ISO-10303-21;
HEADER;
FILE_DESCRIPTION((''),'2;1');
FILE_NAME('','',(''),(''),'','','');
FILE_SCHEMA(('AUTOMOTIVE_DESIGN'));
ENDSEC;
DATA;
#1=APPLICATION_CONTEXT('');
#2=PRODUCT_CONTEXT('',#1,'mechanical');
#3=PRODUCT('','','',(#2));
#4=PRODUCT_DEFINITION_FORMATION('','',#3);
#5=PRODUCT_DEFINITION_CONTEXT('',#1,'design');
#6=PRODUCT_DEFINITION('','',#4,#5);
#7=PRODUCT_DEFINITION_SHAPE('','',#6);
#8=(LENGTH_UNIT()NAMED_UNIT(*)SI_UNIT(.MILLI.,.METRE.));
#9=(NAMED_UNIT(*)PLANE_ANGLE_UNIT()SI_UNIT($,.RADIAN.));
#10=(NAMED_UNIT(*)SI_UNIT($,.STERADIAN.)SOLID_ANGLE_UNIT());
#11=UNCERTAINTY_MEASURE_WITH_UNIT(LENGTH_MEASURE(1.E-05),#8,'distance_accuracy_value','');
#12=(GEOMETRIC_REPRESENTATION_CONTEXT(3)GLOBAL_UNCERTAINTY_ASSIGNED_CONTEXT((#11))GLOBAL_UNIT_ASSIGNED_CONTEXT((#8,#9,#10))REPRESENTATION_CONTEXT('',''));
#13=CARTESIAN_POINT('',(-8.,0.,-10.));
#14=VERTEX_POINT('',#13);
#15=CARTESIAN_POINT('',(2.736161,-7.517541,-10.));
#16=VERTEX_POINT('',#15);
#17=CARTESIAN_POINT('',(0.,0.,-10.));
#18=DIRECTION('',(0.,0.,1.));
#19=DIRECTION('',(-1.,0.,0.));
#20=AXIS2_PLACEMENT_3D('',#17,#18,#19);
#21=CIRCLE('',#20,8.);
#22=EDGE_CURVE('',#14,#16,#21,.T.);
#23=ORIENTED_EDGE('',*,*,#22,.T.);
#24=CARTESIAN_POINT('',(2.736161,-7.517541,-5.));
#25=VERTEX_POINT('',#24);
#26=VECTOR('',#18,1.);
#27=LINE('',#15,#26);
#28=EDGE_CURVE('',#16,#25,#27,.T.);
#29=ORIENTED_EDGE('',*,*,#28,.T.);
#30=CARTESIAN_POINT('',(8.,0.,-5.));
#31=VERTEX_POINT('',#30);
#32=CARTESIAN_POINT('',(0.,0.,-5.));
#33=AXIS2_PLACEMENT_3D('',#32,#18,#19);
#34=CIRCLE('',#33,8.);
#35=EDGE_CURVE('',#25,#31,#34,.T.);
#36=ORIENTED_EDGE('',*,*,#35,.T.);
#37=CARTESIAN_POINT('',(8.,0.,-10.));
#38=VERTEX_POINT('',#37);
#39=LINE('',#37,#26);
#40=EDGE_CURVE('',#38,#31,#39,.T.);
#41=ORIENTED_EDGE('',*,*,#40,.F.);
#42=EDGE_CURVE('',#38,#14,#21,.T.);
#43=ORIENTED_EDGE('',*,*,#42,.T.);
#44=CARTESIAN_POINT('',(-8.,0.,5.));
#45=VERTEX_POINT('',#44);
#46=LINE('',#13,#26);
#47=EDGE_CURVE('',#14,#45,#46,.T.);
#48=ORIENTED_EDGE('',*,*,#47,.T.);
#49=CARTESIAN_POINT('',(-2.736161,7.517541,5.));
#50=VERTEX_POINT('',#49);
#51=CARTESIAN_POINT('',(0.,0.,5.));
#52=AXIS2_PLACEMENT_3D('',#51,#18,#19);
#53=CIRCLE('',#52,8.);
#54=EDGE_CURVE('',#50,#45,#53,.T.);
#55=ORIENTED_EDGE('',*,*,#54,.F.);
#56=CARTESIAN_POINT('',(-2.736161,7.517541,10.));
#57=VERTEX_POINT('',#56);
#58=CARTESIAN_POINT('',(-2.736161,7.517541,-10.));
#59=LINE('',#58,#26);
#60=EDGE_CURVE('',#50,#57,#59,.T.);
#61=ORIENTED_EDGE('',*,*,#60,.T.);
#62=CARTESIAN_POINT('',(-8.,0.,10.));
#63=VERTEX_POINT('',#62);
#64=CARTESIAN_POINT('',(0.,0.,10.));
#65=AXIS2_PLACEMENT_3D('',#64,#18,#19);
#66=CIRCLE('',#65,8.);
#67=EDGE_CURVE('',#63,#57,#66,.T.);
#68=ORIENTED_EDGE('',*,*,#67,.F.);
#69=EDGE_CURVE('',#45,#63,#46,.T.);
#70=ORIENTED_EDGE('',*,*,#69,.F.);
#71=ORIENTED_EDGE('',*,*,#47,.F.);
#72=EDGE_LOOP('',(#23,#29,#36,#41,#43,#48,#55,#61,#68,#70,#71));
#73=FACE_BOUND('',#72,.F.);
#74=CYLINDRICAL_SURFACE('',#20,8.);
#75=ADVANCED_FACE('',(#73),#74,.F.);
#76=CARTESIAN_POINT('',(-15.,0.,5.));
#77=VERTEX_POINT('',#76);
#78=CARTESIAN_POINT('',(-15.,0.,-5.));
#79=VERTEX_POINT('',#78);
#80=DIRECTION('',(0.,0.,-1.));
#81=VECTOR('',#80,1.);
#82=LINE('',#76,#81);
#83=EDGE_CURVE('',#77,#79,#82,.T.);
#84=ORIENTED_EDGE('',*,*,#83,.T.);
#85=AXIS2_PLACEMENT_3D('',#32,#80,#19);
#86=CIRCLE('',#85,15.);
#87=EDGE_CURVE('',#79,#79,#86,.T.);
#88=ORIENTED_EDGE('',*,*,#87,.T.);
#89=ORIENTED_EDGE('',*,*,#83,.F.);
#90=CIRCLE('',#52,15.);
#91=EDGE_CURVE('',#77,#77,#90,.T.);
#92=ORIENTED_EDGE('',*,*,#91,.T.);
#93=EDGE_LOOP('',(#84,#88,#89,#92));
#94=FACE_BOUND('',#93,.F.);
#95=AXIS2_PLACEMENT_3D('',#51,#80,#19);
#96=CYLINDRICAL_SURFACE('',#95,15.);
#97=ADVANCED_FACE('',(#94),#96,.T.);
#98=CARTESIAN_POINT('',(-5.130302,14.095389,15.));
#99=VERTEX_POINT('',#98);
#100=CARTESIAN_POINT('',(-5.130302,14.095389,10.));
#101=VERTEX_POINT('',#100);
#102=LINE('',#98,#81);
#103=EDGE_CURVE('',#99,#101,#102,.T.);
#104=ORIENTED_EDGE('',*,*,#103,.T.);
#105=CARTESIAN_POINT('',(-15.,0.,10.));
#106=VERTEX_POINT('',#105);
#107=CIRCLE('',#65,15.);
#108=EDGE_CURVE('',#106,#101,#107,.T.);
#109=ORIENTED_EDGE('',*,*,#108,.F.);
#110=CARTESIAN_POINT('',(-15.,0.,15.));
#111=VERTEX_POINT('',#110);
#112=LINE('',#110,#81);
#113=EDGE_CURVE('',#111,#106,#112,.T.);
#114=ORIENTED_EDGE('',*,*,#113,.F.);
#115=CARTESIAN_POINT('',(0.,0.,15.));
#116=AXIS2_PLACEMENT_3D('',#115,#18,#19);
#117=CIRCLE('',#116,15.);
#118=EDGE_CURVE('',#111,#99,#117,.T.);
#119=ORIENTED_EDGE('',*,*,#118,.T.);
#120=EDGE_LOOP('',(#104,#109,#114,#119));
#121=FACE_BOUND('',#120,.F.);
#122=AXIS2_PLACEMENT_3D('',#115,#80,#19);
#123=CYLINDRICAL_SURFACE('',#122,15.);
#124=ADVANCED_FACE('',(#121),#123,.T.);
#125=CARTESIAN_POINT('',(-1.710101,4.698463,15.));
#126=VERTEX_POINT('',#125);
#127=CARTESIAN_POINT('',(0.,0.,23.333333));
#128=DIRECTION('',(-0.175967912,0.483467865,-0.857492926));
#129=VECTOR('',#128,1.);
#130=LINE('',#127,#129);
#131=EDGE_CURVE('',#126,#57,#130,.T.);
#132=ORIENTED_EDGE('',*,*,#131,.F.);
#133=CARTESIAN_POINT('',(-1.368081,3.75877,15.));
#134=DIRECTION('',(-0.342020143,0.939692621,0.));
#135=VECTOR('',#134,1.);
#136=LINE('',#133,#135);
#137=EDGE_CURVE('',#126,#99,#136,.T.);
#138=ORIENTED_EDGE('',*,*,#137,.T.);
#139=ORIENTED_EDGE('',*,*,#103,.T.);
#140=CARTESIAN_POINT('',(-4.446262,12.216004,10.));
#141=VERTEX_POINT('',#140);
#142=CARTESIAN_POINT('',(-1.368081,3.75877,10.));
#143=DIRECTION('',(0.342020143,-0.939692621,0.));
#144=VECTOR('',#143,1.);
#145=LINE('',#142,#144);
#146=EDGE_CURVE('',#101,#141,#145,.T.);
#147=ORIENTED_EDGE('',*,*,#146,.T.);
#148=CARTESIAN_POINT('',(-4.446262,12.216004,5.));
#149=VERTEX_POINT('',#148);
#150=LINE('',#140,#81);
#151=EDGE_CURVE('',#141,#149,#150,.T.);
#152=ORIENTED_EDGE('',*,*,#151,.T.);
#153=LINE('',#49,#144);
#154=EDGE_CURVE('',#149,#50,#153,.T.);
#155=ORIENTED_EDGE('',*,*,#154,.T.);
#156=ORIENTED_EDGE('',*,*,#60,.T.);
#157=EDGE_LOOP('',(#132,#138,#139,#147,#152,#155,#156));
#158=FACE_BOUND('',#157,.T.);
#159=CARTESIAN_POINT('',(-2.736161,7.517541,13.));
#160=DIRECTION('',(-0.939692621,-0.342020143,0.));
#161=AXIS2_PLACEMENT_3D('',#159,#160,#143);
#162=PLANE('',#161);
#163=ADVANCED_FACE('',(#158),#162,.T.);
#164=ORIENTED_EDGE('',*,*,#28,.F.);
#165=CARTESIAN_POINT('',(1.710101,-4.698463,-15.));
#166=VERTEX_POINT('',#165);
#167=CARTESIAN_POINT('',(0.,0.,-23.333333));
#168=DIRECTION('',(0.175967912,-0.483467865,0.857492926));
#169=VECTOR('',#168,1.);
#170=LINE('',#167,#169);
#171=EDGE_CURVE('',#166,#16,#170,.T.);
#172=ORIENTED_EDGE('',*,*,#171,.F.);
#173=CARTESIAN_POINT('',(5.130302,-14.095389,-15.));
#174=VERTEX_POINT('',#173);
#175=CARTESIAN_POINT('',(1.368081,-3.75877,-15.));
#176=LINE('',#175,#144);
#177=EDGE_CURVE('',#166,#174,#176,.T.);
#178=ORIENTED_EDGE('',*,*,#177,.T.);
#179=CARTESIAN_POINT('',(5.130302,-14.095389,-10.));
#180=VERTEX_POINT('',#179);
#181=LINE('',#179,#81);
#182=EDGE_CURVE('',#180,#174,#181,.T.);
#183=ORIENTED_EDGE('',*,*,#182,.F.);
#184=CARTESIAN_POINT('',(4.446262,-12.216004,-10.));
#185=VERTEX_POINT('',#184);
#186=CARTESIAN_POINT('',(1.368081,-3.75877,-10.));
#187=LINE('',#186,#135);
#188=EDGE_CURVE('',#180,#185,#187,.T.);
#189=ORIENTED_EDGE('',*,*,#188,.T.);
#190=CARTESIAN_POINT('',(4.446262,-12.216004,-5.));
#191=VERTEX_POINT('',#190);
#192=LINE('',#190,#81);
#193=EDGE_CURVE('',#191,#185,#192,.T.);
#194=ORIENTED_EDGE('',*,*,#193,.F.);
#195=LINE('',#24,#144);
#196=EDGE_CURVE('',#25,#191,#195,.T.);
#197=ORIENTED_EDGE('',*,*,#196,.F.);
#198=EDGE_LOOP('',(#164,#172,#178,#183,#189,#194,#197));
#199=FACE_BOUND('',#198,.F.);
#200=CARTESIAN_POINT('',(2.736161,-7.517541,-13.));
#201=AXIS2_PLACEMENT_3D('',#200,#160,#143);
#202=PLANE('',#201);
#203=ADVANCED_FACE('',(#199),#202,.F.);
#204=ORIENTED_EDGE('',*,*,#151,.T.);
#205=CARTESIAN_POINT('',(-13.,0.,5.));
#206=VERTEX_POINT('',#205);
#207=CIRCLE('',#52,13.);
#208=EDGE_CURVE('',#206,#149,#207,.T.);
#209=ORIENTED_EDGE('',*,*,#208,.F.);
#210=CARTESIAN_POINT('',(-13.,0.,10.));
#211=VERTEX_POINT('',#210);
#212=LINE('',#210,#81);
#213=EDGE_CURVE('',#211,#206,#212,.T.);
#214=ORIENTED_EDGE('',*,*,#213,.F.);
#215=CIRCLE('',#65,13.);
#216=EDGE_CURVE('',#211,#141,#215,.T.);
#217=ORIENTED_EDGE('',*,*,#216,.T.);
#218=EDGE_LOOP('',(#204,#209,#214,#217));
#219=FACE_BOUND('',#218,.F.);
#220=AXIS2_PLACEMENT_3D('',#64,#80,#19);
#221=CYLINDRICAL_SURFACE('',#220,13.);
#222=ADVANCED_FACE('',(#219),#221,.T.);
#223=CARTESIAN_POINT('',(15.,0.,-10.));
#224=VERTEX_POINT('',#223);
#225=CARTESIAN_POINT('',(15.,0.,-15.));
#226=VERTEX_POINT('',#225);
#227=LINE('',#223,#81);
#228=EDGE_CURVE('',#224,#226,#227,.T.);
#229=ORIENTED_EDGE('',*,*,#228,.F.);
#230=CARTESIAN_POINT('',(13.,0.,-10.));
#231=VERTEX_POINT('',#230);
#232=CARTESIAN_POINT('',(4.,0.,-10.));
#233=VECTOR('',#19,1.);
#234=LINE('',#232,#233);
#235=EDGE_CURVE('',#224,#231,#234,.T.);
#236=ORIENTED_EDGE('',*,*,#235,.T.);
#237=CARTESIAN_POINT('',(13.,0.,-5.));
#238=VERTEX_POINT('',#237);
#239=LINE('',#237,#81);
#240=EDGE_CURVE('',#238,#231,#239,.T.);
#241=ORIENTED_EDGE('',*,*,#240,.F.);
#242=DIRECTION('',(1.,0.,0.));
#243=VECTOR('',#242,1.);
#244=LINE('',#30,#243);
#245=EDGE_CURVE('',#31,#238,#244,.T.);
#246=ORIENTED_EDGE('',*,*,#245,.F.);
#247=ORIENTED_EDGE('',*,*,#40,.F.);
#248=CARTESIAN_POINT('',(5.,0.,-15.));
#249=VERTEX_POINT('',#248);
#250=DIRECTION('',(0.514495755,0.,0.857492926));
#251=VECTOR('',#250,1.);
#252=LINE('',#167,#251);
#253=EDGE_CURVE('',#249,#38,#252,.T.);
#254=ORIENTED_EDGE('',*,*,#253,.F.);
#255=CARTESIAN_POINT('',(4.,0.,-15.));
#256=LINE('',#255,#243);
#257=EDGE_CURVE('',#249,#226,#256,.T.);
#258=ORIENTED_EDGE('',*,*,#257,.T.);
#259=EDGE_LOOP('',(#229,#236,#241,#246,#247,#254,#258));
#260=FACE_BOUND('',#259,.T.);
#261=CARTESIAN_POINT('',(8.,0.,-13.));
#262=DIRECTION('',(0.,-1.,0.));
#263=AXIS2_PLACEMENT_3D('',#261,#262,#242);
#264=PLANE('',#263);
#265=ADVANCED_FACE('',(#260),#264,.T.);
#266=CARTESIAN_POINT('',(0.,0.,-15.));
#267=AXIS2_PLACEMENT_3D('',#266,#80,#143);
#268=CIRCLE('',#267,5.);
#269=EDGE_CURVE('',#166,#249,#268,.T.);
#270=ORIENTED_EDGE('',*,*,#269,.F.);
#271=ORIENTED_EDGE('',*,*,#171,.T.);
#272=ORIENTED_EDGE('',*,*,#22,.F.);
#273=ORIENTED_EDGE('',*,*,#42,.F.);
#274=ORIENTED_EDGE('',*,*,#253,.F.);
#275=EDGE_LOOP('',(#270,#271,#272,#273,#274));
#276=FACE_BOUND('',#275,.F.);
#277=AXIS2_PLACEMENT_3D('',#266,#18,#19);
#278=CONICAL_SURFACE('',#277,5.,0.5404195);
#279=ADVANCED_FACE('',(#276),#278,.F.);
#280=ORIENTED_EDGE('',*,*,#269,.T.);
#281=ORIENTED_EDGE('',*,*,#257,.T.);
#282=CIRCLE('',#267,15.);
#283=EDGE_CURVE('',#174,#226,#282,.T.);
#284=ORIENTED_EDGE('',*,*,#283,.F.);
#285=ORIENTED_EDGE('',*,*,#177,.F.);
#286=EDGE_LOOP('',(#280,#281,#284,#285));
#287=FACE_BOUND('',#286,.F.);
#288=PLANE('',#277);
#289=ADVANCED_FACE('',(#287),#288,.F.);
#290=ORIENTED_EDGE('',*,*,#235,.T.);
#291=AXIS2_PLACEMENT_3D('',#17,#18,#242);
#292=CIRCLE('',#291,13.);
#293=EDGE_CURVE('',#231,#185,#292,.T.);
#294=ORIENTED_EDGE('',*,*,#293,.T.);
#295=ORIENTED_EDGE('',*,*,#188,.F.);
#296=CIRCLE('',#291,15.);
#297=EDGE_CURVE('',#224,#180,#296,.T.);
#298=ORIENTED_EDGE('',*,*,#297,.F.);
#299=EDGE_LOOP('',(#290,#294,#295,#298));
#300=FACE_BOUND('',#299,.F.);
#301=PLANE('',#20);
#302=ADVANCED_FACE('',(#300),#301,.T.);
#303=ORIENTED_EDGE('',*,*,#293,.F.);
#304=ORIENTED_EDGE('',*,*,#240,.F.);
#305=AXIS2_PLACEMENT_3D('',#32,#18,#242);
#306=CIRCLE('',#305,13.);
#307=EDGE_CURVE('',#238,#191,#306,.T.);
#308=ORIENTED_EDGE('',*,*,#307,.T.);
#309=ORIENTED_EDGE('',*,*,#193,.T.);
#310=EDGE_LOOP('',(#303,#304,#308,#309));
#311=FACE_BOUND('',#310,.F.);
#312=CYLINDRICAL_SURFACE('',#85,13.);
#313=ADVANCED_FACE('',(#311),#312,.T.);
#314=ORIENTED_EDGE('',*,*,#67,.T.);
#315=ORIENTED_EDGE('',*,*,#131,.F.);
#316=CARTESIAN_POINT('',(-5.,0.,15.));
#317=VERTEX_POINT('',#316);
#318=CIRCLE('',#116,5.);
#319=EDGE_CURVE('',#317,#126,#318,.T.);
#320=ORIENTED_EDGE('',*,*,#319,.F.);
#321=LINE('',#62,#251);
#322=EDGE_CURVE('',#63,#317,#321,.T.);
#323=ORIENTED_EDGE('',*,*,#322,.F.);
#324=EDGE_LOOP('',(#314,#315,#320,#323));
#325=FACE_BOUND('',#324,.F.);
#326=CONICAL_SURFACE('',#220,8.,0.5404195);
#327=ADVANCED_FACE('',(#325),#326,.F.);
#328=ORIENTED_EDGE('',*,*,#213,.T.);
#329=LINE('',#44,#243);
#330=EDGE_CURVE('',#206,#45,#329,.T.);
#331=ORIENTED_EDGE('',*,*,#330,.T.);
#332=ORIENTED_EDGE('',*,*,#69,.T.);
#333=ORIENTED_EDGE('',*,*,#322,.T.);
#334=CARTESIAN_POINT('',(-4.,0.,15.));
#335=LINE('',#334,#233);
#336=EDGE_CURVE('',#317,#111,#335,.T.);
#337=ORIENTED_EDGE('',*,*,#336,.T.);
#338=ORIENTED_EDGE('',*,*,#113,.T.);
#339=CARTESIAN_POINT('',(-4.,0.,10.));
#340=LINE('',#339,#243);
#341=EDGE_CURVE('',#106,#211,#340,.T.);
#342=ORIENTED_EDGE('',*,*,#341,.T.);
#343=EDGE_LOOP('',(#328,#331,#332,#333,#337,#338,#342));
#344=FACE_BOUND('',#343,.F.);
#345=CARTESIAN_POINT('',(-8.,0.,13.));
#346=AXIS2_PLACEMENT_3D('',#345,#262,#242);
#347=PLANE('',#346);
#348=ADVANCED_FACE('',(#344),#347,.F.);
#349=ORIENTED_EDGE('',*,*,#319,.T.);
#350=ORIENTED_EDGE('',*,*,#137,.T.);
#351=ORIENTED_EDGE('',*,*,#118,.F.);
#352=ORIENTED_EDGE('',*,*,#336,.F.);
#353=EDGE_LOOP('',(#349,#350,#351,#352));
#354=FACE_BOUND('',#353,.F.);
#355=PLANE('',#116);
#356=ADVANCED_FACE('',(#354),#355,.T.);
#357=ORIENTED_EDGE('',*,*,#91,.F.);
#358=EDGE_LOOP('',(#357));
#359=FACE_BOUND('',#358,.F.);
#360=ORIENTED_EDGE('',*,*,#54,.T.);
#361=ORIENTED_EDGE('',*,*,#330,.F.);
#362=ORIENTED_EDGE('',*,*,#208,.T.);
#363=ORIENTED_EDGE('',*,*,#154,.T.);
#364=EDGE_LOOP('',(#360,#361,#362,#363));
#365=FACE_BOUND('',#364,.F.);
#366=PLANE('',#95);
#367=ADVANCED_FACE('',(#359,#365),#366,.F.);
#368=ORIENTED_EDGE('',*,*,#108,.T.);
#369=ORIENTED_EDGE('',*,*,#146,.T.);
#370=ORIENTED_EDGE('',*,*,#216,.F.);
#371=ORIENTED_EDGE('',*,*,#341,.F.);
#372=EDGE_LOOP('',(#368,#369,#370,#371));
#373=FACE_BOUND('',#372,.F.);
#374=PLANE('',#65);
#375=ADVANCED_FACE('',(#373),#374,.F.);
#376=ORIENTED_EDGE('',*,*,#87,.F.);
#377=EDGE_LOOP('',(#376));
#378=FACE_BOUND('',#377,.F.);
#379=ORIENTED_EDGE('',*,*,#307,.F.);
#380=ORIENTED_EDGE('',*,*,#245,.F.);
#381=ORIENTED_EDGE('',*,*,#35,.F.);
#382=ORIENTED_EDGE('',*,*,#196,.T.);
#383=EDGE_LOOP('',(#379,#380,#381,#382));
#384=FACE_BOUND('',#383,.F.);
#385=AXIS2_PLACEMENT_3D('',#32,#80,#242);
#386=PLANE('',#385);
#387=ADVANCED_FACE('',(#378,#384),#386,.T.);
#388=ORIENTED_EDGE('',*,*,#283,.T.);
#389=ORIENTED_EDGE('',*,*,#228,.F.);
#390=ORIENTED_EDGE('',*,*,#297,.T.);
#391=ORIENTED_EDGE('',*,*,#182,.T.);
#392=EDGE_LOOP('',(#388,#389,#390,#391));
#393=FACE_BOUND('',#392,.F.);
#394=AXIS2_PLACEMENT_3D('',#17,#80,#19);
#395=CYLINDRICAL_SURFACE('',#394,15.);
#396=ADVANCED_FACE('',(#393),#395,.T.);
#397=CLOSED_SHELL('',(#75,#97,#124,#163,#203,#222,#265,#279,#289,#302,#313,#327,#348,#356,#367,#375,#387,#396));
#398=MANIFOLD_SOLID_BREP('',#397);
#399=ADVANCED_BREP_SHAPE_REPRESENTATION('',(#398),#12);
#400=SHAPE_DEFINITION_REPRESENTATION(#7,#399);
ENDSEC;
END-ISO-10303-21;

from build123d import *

# Parameters (mm, degrees)
SKETCH001_W  = 16
SKETCH001_H  = 16
GROOVE_ANGLE = -70


with BuildPart() as part:
    # Sketch (on XZ_Plane of Origin) → Revolution (revolve)
    with BuildSketch(Plane.XZ):
        Polygon((-5, 15), (-15, 15), (-15, 10), (-13, 10), (-13, 5), (-15, 5), (-15, -5), (-13, -5), (-13, -10), (-15, -10), (-15, -15), (-5, -15), (-8, -10), (-8, 10), align=None)
    revolve(axis=Axis((0, 0, 0), (0, 0, 1)))

    # Sketch001 (on XZ_Plane of Origin) → Groove (revolve, cut)
    with BuildSketch(Plane.XZ):
        with Locations((-8, 13)):
            Rectangle(SKETCH001_W, SKETCH001_H)
        with Locations((8, -13)):
            Rectangle(SKETCH001_W, SKETCH001_H)
    revolve(axis=Axis((0, 0, 0), (0, 0, 1)), revolution_arc=GROOVE_ANGLE, mode=Mode.SUBTRACT)


solid = part.part
